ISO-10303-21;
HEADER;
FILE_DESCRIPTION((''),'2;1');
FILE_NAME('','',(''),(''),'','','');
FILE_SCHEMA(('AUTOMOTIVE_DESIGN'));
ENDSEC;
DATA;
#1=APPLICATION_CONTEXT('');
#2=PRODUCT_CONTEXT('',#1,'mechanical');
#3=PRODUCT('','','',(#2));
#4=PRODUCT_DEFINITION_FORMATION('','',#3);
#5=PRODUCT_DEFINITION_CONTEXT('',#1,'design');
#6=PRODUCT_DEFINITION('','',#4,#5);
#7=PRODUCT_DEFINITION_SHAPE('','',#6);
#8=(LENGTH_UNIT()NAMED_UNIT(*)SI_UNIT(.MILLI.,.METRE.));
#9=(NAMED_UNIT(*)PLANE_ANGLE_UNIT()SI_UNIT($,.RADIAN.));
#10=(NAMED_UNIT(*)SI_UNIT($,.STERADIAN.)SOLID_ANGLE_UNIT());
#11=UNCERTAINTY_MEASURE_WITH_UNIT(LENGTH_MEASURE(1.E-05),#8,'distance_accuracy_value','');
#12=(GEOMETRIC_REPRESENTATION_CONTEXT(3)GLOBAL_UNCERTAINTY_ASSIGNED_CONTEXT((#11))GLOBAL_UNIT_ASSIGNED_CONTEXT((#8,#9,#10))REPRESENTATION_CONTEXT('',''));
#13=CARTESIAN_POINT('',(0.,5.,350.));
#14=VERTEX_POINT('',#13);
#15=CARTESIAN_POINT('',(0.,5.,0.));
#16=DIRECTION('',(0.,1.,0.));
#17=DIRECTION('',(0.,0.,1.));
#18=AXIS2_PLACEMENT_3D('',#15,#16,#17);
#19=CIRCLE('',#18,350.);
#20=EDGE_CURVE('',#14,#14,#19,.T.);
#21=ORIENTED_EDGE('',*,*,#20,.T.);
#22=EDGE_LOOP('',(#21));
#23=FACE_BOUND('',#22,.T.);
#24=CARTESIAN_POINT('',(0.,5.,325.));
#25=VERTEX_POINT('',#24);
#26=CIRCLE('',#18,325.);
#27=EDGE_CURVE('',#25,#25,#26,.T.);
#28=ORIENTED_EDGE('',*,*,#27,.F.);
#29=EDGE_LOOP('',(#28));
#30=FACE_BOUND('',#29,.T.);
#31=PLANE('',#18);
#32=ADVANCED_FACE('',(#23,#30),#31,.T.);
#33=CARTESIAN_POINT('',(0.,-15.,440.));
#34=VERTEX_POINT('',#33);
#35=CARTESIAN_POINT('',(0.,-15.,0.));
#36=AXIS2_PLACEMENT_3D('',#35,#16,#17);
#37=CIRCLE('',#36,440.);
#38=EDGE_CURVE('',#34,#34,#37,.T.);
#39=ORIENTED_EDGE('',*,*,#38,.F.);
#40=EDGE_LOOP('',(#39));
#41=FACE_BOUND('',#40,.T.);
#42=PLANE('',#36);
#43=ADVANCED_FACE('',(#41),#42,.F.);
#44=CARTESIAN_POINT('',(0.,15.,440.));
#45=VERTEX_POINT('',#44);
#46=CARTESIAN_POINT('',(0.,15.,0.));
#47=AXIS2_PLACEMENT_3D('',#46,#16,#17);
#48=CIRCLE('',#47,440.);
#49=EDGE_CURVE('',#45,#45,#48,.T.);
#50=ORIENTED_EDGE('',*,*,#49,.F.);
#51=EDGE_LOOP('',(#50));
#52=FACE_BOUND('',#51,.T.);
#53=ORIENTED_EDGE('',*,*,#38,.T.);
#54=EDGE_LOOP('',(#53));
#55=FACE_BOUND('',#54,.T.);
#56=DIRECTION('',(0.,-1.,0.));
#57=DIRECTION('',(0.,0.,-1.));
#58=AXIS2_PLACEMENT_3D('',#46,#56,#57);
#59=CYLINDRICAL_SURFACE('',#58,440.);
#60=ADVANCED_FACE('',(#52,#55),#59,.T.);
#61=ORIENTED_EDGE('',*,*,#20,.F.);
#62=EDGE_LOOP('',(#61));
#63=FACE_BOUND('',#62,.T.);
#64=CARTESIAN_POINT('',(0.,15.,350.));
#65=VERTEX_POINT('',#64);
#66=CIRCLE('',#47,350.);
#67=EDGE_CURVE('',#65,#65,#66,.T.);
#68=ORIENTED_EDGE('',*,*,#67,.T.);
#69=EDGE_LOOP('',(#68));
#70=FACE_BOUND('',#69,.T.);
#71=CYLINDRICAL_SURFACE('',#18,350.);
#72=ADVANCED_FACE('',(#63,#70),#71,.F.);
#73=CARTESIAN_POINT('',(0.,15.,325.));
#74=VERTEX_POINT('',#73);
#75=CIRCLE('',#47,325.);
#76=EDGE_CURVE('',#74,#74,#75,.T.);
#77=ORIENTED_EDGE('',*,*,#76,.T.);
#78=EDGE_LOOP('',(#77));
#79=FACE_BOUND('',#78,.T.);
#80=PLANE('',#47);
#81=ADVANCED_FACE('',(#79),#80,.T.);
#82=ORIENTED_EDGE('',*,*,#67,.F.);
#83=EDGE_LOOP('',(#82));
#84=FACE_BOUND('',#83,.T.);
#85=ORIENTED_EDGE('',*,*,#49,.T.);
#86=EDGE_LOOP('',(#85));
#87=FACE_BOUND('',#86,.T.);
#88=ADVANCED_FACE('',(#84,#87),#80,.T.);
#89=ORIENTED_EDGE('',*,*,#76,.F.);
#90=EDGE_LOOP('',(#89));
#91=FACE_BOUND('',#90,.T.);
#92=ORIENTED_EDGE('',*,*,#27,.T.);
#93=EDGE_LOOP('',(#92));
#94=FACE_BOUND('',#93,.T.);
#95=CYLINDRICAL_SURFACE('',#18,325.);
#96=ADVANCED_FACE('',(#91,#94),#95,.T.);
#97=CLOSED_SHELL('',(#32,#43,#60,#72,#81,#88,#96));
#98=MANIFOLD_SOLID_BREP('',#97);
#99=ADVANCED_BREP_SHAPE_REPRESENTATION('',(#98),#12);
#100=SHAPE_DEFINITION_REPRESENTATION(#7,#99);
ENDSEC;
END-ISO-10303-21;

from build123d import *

# Parameters (mm, degrees)
SKETCH1_R           = 440
BOSS_EXTRUDE1_DEPTH = 15
SKETCH2_R           = 350
SKETCH2_R_2         = 325
CUT_EXTRUDE1_DEPTH  = 10


with BuildPart() as part:
    # Sketch1 → Boss-Extrude1 (new, symmetric)
    with BuildSketch(Plane(origin=(0, 0, 0), x_dir=(1, 0, 0), z_dir=(0, 1, 0))):
        with Locations(Location((0, 0, 0), (0, 0, 270))):
            Circle(SKETCH1_R)
    extrude(amount=BOSS_EXTRUDE1_DEPTH, both=True)

    # Sketch2 → Cut-Extrude1 (cut)
    with BuildSketch(Plane(origin=(0, 15, 0), x_dir=(1, 0, 0), z_dir=(0, 1, 0))):
        with Locations(Location((0, 0, 0), (0, 0, 270))):
            Circle(SKETCH2_R)
        with Locations(Location((0, 0, 0), (0, 0, 270))):
            Circle(SKETCH2_R_2, mode=Mode.SUBTRACT)
    extrude(amount=-CUT_EXTRUDE1_DEPTH, mode=Mode.SUBTRACT)


solid = part.part
